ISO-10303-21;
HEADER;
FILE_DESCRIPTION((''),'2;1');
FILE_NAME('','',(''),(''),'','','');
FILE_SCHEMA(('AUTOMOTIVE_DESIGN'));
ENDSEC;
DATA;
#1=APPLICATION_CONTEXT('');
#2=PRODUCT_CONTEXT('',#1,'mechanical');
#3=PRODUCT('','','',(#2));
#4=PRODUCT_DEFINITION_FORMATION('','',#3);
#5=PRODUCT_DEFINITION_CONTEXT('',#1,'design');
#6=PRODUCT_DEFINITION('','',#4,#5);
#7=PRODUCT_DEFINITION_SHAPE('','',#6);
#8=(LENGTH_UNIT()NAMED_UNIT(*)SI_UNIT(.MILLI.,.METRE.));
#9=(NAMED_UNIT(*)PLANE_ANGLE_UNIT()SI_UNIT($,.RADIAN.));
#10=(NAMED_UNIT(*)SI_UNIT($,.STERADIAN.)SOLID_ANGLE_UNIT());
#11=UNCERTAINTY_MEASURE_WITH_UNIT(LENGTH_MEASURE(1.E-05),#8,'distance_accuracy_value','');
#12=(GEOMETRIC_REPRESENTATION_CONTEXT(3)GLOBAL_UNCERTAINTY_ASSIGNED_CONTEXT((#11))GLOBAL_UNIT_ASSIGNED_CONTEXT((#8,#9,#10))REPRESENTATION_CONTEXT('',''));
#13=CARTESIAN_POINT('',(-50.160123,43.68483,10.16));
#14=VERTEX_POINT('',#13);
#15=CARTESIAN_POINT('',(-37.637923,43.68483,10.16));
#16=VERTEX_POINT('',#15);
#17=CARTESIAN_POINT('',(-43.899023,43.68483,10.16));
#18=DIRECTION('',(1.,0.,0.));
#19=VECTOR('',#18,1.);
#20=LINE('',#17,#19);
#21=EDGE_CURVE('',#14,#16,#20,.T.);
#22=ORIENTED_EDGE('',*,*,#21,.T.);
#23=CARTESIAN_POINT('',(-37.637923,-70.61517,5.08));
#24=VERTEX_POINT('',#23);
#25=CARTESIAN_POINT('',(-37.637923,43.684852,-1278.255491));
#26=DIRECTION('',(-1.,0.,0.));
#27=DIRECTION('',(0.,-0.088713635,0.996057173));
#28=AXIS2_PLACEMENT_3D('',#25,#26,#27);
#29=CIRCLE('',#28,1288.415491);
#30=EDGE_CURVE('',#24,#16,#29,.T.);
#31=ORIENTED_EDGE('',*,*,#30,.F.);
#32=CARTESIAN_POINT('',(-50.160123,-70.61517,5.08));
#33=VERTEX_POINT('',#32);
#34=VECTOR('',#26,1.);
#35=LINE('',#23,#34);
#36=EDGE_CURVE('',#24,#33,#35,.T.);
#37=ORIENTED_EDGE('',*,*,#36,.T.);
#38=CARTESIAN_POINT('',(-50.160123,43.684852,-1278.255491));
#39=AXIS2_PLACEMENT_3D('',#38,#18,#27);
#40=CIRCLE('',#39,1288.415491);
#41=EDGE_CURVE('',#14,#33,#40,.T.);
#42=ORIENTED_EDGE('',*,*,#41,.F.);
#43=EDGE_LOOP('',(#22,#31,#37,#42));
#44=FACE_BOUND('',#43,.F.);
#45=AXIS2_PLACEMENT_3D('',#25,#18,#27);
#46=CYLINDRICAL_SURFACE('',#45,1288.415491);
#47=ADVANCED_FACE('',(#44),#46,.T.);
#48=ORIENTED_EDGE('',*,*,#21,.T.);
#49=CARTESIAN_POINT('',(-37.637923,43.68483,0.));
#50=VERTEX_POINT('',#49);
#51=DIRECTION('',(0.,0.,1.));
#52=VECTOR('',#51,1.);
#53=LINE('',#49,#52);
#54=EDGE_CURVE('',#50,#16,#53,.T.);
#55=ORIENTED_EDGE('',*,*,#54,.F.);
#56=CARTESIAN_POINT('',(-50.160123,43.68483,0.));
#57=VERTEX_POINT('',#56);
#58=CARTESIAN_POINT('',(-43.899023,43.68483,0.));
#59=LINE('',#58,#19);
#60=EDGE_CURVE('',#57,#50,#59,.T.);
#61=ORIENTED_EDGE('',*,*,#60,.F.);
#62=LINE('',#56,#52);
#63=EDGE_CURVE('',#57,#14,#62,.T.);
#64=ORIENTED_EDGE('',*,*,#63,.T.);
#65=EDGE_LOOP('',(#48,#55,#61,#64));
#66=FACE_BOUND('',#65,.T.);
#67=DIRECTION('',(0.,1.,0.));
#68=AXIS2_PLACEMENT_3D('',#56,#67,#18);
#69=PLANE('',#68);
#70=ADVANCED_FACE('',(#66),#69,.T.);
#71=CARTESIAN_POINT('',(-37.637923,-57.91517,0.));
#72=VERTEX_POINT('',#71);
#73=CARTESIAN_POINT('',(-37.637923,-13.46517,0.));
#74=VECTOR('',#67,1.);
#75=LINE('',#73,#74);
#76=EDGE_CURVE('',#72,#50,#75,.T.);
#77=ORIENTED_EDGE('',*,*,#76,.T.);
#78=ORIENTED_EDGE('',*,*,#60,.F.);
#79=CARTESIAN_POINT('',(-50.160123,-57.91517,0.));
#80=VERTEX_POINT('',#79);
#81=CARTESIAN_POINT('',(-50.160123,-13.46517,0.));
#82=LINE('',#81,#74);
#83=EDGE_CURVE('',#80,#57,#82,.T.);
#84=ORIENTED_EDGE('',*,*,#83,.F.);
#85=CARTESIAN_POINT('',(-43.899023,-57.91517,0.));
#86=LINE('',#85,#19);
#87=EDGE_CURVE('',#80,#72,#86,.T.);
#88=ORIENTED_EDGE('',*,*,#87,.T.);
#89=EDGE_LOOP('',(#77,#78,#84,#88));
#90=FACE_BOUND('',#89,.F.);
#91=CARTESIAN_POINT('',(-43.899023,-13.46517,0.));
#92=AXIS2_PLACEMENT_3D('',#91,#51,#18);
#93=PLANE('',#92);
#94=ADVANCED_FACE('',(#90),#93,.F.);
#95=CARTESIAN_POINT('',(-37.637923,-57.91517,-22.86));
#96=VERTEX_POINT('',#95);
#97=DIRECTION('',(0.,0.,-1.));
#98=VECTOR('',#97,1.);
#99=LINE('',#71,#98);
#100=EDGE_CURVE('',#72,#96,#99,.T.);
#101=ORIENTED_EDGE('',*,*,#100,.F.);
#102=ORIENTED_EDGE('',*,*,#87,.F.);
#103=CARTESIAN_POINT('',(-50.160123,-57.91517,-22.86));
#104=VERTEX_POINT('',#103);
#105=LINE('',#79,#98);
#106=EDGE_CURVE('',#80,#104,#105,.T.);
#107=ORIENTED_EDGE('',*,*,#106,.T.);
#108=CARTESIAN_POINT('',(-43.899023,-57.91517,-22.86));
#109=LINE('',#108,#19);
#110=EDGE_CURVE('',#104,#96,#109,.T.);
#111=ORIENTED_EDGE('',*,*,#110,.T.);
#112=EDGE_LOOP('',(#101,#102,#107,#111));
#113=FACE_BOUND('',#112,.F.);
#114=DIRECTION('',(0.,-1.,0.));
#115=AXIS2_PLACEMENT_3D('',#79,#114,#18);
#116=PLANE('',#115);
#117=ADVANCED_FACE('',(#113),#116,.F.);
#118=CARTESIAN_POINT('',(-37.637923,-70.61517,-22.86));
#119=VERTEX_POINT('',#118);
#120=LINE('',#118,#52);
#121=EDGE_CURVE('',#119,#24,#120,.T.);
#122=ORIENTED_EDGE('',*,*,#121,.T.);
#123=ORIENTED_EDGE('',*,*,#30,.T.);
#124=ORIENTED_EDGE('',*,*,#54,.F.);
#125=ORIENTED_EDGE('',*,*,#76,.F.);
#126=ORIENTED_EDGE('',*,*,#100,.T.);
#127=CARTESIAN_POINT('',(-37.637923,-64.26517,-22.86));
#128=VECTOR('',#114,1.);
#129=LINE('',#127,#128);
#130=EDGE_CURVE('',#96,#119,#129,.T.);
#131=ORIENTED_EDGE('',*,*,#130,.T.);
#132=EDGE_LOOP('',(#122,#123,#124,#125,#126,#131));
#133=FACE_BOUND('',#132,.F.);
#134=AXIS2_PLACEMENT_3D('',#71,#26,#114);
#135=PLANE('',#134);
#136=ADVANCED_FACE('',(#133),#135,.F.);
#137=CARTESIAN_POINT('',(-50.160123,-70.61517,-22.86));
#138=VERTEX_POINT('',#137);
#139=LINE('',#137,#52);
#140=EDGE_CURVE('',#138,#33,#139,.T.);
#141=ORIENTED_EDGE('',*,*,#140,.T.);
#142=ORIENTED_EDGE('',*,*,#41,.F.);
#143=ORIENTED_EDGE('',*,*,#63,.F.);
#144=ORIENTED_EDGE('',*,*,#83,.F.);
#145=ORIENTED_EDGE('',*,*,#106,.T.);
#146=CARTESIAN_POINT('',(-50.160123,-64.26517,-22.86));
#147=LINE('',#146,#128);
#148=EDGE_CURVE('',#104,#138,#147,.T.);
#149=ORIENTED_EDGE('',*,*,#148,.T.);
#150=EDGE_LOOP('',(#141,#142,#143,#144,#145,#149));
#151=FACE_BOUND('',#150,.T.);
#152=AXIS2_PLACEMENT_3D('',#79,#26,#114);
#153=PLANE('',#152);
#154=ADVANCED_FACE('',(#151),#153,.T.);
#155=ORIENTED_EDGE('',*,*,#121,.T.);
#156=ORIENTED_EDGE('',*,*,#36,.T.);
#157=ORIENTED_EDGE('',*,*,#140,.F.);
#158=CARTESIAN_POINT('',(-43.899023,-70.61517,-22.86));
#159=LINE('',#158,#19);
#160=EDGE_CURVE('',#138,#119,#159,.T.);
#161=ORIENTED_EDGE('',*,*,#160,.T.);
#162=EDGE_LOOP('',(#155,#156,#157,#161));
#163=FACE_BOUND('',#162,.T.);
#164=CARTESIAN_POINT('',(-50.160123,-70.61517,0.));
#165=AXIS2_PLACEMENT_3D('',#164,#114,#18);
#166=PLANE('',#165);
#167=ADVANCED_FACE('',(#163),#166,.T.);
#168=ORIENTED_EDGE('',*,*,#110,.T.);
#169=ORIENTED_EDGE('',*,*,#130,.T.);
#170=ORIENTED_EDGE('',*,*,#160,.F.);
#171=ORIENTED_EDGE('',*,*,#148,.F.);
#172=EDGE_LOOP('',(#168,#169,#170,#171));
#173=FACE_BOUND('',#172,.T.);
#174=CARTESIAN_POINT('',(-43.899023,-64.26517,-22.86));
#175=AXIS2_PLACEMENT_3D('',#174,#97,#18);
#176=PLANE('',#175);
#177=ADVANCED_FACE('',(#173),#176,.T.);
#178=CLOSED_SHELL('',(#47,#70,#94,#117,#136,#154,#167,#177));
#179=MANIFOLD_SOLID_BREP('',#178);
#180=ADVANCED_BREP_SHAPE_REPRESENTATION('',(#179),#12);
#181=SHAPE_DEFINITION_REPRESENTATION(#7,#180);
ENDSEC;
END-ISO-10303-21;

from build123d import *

# Parameters (mm, degrees)
F0_W     = 12.5222
F0_H     = 114.3
F1_DEPTH = 10.16
F3_DEPTH = 25.4
F4_W     = 12.5222
F4_H     = 12.7
F5_DEPTH = 22.86


with BuildPart() as f1:
    # F0 (on Top) → F1 (new body)
    with BuildSketch(Plane.XY):
        with Locations((-43.899023, -13.46517)):
            Rectangle(F0_W, F0_H)
    extrude(amount=F1_DEPTH)

    # F2 (on face) → F3 (cut)
    with BuildSketch(Plane.YZ.offset(-37.637923)):
        with BuildLine():
            ThreePointArc((-70.61517, 5.08), (-13.521586, 8.889373), (43.68483, 10.16))
            Line((43.68483, 10.16), (-70.61517, 10.16))
            Line((-70.61517, 10.16), (-70.61517, 5.08))
        make_face()
    extrude(amount=-F3_DEPTH, mode=Mode.SUBTRACT)

    # F4 (on face) → F5 (join)
    with BuildSketch(Plane(origin=(0, 0, 0), x_dir=(1, 0, 0), z_dir=(0, 0, -1))):
        with Locations((-43.899023, 64.26517)):
            Rectangle(F4_W, F4_H)
    extrude(amount=F5_DEPTH)


solid = f1.part
